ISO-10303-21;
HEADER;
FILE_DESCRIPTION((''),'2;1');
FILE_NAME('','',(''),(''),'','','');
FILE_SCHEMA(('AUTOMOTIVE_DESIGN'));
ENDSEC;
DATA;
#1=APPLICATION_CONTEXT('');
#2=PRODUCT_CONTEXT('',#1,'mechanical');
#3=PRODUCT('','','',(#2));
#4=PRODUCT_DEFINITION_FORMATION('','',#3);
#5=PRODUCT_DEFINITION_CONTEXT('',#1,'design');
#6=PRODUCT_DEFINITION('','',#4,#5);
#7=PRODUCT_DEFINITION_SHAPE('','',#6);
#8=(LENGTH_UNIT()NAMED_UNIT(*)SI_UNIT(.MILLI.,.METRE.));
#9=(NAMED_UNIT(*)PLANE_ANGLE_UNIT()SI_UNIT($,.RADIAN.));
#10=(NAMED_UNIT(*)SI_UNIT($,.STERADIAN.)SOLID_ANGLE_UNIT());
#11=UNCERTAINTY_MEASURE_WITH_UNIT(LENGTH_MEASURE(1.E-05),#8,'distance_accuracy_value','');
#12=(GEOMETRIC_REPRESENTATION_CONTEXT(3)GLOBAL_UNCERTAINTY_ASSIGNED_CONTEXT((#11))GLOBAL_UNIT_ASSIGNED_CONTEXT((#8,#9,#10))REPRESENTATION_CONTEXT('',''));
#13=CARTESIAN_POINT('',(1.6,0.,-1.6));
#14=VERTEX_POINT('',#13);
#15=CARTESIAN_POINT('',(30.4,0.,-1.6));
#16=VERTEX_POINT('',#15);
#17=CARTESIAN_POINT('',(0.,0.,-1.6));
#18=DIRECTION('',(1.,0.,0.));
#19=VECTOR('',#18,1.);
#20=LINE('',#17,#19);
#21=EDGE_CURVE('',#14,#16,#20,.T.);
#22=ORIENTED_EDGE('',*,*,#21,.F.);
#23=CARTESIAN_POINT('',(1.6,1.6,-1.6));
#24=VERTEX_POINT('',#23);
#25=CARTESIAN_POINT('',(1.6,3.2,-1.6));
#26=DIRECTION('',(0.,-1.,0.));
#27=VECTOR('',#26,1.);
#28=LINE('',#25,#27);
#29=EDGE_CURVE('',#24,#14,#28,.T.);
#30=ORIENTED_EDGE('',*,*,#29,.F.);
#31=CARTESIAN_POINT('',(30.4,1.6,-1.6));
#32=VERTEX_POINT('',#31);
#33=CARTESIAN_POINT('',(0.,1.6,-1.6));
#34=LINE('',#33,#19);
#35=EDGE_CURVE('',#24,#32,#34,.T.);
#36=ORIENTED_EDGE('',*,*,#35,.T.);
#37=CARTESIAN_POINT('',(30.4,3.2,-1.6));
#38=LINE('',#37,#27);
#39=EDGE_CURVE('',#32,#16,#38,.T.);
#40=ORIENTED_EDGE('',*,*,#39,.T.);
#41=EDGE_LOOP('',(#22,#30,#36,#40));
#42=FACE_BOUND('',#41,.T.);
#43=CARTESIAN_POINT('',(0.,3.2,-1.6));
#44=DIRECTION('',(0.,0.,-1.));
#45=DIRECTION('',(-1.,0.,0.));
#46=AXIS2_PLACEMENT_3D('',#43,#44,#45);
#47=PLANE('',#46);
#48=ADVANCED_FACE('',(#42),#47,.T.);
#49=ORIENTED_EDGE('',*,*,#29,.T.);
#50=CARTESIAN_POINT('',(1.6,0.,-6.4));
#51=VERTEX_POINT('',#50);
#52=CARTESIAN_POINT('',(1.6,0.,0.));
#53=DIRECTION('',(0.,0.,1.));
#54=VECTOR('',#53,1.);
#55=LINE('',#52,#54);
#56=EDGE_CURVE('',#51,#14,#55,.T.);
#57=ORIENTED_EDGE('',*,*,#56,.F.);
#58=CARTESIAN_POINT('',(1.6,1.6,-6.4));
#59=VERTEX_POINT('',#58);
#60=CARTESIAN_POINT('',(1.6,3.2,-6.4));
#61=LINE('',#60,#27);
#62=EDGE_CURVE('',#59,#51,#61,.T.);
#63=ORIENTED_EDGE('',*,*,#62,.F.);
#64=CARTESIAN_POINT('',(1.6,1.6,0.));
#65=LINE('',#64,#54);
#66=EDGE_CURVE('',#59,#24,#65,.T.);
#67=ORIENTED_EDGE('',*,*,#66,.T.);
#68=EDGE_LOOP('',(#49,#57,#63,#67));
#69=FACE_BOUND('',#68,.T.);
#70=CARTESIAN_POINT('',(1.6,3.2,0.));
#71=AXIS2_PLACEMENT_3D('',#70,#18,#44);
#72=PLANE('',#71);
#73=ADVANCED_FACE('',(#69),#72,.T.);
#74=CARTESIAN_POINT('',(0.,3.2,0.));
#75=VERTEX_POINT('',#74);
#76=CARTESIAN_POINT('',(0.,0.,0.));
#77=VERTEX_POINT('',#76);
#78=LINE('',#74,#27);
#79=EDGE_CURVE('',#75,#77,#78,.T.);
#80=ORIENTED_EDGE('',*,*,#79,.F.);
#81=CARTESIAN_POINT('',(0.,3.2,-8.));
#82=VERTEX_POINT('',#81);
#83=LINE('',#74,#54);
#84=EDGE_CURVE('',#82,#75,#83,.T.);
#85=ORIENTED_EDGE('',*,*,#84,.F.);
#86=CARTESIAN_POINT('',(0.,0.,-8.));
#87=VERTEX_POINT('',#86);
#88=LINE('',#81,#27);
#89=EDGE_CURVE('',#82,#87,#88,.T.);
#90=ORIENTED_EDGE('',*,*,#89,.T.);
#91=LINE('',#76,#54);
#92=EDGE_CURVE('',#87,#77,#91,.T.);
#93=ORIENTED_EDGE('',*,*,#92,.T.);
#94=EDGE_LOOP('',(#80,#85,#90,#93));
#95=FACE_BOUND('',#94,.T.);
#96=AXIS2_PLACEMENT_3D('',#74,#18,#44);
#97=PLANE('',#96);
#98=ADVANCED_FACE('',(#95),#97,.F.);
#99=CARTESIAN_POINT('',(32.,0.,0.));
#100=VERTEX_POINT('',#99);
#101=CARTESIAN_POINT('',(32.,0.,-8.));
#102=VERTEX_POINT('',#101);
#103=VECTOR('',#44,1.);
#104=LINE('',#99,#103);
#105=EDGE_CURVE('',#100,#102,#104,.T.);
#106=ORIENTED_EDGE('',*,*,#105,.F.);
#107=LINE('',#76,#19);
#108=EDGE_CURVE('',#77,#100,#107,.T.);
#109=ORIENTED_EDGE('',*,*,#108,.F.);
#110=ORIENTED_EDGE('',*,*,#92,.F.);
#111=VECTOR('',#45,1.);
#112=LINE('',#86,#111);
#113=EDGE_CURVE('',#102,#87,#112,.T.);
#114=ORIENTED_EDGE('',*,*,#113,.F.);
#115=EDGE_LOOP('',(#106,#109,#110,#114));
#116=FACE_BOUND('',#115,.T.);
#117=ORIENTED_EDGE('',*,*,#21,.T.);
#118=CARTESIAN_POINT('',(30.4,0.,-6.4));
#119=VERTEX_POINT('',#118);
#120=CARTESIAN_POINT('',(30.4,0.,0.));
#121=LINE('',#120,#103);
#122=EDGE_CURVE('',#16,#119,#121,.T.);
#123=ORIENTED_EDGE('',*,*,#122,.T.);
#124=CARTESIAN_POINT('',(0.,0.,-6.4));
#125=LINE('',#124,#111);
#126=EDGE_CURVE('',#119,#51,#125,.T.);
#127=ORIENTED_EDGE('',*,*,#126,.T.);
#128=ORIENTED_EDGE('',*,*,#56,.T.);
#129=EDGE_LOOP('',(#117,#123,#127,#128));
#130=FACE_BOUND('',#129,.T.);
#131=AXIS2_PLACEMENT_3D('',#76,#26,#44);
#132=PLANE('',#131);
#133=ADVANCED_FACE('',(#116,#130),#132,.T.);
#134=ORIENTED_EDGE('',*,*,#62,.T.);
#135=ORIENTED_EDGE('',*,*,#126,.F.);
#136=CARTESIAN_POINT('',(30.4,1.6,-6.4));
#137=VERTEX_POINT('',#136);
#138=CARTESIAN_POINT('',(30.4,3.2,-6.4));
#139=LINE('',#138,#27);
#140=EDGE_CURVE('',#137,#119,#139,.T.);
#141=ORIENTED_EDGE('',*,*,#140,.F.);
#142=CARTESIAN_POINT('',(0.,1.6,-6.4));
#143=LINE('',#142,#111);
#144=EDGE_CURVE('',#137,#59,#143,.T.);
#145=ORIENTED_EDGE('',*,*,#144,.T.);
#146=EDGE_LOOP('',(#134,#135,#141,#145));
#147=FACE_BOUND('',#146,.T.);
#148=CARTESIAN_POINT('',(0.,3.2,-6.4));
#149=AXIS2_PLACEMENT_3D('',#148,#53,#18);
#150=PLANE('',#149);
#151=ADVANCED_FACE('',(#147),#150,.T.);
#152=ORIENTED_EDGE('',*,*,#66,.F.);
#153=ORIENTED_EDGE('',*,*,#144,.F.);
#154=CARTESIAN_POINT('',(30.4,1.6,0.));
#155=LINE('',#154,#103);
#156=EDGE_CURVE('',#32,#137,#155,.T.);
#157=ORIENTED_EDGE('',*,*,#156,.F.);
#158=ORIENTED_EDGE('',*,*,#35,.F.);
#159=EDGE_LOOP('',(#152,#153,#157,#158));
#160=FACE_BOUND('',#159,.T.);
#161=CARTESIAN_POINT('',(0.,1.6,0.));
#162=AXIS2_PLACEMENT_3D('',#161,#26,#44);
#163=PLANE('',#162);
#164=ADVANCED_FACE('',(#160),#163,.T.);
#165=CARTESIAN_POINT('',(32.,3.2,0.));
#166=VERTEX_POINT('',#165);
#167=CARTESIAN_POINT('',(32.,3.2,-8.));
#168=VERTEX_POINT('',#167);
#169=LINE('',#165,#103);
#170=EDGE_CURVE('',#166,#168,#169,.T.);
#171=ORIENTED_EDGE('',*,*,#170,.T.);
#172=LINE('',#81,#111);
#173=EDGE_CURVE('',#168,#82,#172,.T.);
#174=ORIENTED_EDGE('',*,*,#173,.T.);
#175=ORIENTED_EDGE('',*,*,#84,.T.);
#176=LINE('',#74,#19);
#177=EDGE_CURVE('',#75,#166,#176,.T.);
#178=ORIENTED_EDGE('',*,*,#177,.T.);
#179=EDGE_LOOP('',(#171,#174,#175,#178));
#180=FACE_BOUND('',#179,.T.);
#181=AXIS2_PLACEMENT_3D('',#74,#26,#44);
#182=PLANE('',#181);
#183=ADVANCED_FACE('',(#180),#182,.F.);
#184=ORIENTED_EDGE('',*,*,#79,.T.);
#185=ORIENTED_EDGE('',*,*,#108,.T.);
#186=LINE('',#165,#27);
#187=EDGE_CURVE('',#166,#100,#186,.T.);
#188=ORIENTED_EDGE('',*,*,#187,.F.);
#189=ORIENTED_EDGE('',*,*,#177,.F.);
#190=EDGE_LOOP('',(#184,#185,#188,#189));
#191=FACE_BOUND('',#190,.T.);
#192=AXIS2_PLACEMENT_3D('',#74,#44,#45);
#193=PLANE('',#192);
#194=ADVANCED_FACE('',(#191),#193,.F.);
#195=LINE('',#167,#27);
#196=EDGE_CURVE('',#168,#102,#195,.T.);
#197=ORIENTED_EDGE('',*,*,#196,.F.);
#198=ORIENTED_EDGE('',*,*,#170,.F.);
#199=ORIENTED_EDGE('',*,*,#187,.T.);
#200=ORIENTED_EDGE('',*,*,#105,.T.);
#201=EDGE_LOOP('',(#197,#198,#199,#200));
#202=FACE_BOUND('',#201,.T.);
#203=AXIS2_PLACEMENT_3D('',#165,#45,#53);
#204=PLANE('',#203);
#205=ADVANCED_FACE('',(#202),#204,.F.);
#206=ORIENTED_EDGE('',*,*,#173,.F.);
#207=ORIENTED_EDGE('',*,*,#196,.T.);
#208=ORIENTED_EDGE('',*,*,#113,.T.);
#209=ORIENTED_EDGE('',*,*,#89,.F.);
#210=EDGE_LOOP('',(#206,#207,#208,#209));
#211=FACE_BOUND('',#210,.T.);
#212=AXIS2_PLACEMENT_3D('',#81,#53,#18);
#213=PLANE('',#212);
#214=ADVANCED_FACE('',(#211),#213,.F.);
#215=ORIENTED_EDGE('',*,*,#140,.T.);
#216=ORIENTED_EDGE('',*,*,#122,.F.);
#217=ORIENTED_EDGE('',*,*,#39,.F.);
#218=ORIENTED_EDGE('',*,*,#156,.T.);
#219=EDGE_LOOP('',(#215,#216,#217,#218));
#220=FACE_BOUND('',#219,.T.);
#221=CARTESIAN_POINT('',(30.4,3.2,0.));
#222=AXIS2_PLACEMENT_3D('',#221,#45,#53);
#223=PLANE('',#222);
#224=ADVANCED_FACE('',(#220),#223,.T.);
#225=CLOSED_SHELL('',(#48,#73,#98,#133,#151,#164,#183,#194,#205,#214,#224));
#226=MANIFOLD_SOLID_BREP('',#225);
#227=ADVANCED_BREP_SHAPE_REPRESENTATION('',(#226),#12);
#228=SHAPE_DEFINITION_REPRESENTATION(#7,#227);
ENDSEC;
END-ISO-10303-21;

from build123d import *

# Parameters (mm, degrees)
SKETCH1_W           = 32
SKETCH1_H           = 8
BOSS_EXTRUDE1_DEPTH = 3.2
SHELL1_T            = -1.6


with BuildPart() as part:
    # Sketch1 → Boss-Extrude1 (new body)
    with BuildSketch(Plane(origin=(0, 0, 0), x_dir=(1, 0, 0), z_dir=(0, 1, 0))):
        with Locations((16, 4)):
            Rectangle(SKETCH1_W, SKETCH1_H)
    extrude(amount=BOSS_EXTRUDE1_DEPTH)

    # Shell1
    shell1_openings = [part.faces().sort_by_distance(p)[0] for p in [
        (16, 0, -4),
    ]]
    offset(amount=SHELL1_T, openings=shell1_openings, kind=Kind.INTERSECTION)


solid = part.part
